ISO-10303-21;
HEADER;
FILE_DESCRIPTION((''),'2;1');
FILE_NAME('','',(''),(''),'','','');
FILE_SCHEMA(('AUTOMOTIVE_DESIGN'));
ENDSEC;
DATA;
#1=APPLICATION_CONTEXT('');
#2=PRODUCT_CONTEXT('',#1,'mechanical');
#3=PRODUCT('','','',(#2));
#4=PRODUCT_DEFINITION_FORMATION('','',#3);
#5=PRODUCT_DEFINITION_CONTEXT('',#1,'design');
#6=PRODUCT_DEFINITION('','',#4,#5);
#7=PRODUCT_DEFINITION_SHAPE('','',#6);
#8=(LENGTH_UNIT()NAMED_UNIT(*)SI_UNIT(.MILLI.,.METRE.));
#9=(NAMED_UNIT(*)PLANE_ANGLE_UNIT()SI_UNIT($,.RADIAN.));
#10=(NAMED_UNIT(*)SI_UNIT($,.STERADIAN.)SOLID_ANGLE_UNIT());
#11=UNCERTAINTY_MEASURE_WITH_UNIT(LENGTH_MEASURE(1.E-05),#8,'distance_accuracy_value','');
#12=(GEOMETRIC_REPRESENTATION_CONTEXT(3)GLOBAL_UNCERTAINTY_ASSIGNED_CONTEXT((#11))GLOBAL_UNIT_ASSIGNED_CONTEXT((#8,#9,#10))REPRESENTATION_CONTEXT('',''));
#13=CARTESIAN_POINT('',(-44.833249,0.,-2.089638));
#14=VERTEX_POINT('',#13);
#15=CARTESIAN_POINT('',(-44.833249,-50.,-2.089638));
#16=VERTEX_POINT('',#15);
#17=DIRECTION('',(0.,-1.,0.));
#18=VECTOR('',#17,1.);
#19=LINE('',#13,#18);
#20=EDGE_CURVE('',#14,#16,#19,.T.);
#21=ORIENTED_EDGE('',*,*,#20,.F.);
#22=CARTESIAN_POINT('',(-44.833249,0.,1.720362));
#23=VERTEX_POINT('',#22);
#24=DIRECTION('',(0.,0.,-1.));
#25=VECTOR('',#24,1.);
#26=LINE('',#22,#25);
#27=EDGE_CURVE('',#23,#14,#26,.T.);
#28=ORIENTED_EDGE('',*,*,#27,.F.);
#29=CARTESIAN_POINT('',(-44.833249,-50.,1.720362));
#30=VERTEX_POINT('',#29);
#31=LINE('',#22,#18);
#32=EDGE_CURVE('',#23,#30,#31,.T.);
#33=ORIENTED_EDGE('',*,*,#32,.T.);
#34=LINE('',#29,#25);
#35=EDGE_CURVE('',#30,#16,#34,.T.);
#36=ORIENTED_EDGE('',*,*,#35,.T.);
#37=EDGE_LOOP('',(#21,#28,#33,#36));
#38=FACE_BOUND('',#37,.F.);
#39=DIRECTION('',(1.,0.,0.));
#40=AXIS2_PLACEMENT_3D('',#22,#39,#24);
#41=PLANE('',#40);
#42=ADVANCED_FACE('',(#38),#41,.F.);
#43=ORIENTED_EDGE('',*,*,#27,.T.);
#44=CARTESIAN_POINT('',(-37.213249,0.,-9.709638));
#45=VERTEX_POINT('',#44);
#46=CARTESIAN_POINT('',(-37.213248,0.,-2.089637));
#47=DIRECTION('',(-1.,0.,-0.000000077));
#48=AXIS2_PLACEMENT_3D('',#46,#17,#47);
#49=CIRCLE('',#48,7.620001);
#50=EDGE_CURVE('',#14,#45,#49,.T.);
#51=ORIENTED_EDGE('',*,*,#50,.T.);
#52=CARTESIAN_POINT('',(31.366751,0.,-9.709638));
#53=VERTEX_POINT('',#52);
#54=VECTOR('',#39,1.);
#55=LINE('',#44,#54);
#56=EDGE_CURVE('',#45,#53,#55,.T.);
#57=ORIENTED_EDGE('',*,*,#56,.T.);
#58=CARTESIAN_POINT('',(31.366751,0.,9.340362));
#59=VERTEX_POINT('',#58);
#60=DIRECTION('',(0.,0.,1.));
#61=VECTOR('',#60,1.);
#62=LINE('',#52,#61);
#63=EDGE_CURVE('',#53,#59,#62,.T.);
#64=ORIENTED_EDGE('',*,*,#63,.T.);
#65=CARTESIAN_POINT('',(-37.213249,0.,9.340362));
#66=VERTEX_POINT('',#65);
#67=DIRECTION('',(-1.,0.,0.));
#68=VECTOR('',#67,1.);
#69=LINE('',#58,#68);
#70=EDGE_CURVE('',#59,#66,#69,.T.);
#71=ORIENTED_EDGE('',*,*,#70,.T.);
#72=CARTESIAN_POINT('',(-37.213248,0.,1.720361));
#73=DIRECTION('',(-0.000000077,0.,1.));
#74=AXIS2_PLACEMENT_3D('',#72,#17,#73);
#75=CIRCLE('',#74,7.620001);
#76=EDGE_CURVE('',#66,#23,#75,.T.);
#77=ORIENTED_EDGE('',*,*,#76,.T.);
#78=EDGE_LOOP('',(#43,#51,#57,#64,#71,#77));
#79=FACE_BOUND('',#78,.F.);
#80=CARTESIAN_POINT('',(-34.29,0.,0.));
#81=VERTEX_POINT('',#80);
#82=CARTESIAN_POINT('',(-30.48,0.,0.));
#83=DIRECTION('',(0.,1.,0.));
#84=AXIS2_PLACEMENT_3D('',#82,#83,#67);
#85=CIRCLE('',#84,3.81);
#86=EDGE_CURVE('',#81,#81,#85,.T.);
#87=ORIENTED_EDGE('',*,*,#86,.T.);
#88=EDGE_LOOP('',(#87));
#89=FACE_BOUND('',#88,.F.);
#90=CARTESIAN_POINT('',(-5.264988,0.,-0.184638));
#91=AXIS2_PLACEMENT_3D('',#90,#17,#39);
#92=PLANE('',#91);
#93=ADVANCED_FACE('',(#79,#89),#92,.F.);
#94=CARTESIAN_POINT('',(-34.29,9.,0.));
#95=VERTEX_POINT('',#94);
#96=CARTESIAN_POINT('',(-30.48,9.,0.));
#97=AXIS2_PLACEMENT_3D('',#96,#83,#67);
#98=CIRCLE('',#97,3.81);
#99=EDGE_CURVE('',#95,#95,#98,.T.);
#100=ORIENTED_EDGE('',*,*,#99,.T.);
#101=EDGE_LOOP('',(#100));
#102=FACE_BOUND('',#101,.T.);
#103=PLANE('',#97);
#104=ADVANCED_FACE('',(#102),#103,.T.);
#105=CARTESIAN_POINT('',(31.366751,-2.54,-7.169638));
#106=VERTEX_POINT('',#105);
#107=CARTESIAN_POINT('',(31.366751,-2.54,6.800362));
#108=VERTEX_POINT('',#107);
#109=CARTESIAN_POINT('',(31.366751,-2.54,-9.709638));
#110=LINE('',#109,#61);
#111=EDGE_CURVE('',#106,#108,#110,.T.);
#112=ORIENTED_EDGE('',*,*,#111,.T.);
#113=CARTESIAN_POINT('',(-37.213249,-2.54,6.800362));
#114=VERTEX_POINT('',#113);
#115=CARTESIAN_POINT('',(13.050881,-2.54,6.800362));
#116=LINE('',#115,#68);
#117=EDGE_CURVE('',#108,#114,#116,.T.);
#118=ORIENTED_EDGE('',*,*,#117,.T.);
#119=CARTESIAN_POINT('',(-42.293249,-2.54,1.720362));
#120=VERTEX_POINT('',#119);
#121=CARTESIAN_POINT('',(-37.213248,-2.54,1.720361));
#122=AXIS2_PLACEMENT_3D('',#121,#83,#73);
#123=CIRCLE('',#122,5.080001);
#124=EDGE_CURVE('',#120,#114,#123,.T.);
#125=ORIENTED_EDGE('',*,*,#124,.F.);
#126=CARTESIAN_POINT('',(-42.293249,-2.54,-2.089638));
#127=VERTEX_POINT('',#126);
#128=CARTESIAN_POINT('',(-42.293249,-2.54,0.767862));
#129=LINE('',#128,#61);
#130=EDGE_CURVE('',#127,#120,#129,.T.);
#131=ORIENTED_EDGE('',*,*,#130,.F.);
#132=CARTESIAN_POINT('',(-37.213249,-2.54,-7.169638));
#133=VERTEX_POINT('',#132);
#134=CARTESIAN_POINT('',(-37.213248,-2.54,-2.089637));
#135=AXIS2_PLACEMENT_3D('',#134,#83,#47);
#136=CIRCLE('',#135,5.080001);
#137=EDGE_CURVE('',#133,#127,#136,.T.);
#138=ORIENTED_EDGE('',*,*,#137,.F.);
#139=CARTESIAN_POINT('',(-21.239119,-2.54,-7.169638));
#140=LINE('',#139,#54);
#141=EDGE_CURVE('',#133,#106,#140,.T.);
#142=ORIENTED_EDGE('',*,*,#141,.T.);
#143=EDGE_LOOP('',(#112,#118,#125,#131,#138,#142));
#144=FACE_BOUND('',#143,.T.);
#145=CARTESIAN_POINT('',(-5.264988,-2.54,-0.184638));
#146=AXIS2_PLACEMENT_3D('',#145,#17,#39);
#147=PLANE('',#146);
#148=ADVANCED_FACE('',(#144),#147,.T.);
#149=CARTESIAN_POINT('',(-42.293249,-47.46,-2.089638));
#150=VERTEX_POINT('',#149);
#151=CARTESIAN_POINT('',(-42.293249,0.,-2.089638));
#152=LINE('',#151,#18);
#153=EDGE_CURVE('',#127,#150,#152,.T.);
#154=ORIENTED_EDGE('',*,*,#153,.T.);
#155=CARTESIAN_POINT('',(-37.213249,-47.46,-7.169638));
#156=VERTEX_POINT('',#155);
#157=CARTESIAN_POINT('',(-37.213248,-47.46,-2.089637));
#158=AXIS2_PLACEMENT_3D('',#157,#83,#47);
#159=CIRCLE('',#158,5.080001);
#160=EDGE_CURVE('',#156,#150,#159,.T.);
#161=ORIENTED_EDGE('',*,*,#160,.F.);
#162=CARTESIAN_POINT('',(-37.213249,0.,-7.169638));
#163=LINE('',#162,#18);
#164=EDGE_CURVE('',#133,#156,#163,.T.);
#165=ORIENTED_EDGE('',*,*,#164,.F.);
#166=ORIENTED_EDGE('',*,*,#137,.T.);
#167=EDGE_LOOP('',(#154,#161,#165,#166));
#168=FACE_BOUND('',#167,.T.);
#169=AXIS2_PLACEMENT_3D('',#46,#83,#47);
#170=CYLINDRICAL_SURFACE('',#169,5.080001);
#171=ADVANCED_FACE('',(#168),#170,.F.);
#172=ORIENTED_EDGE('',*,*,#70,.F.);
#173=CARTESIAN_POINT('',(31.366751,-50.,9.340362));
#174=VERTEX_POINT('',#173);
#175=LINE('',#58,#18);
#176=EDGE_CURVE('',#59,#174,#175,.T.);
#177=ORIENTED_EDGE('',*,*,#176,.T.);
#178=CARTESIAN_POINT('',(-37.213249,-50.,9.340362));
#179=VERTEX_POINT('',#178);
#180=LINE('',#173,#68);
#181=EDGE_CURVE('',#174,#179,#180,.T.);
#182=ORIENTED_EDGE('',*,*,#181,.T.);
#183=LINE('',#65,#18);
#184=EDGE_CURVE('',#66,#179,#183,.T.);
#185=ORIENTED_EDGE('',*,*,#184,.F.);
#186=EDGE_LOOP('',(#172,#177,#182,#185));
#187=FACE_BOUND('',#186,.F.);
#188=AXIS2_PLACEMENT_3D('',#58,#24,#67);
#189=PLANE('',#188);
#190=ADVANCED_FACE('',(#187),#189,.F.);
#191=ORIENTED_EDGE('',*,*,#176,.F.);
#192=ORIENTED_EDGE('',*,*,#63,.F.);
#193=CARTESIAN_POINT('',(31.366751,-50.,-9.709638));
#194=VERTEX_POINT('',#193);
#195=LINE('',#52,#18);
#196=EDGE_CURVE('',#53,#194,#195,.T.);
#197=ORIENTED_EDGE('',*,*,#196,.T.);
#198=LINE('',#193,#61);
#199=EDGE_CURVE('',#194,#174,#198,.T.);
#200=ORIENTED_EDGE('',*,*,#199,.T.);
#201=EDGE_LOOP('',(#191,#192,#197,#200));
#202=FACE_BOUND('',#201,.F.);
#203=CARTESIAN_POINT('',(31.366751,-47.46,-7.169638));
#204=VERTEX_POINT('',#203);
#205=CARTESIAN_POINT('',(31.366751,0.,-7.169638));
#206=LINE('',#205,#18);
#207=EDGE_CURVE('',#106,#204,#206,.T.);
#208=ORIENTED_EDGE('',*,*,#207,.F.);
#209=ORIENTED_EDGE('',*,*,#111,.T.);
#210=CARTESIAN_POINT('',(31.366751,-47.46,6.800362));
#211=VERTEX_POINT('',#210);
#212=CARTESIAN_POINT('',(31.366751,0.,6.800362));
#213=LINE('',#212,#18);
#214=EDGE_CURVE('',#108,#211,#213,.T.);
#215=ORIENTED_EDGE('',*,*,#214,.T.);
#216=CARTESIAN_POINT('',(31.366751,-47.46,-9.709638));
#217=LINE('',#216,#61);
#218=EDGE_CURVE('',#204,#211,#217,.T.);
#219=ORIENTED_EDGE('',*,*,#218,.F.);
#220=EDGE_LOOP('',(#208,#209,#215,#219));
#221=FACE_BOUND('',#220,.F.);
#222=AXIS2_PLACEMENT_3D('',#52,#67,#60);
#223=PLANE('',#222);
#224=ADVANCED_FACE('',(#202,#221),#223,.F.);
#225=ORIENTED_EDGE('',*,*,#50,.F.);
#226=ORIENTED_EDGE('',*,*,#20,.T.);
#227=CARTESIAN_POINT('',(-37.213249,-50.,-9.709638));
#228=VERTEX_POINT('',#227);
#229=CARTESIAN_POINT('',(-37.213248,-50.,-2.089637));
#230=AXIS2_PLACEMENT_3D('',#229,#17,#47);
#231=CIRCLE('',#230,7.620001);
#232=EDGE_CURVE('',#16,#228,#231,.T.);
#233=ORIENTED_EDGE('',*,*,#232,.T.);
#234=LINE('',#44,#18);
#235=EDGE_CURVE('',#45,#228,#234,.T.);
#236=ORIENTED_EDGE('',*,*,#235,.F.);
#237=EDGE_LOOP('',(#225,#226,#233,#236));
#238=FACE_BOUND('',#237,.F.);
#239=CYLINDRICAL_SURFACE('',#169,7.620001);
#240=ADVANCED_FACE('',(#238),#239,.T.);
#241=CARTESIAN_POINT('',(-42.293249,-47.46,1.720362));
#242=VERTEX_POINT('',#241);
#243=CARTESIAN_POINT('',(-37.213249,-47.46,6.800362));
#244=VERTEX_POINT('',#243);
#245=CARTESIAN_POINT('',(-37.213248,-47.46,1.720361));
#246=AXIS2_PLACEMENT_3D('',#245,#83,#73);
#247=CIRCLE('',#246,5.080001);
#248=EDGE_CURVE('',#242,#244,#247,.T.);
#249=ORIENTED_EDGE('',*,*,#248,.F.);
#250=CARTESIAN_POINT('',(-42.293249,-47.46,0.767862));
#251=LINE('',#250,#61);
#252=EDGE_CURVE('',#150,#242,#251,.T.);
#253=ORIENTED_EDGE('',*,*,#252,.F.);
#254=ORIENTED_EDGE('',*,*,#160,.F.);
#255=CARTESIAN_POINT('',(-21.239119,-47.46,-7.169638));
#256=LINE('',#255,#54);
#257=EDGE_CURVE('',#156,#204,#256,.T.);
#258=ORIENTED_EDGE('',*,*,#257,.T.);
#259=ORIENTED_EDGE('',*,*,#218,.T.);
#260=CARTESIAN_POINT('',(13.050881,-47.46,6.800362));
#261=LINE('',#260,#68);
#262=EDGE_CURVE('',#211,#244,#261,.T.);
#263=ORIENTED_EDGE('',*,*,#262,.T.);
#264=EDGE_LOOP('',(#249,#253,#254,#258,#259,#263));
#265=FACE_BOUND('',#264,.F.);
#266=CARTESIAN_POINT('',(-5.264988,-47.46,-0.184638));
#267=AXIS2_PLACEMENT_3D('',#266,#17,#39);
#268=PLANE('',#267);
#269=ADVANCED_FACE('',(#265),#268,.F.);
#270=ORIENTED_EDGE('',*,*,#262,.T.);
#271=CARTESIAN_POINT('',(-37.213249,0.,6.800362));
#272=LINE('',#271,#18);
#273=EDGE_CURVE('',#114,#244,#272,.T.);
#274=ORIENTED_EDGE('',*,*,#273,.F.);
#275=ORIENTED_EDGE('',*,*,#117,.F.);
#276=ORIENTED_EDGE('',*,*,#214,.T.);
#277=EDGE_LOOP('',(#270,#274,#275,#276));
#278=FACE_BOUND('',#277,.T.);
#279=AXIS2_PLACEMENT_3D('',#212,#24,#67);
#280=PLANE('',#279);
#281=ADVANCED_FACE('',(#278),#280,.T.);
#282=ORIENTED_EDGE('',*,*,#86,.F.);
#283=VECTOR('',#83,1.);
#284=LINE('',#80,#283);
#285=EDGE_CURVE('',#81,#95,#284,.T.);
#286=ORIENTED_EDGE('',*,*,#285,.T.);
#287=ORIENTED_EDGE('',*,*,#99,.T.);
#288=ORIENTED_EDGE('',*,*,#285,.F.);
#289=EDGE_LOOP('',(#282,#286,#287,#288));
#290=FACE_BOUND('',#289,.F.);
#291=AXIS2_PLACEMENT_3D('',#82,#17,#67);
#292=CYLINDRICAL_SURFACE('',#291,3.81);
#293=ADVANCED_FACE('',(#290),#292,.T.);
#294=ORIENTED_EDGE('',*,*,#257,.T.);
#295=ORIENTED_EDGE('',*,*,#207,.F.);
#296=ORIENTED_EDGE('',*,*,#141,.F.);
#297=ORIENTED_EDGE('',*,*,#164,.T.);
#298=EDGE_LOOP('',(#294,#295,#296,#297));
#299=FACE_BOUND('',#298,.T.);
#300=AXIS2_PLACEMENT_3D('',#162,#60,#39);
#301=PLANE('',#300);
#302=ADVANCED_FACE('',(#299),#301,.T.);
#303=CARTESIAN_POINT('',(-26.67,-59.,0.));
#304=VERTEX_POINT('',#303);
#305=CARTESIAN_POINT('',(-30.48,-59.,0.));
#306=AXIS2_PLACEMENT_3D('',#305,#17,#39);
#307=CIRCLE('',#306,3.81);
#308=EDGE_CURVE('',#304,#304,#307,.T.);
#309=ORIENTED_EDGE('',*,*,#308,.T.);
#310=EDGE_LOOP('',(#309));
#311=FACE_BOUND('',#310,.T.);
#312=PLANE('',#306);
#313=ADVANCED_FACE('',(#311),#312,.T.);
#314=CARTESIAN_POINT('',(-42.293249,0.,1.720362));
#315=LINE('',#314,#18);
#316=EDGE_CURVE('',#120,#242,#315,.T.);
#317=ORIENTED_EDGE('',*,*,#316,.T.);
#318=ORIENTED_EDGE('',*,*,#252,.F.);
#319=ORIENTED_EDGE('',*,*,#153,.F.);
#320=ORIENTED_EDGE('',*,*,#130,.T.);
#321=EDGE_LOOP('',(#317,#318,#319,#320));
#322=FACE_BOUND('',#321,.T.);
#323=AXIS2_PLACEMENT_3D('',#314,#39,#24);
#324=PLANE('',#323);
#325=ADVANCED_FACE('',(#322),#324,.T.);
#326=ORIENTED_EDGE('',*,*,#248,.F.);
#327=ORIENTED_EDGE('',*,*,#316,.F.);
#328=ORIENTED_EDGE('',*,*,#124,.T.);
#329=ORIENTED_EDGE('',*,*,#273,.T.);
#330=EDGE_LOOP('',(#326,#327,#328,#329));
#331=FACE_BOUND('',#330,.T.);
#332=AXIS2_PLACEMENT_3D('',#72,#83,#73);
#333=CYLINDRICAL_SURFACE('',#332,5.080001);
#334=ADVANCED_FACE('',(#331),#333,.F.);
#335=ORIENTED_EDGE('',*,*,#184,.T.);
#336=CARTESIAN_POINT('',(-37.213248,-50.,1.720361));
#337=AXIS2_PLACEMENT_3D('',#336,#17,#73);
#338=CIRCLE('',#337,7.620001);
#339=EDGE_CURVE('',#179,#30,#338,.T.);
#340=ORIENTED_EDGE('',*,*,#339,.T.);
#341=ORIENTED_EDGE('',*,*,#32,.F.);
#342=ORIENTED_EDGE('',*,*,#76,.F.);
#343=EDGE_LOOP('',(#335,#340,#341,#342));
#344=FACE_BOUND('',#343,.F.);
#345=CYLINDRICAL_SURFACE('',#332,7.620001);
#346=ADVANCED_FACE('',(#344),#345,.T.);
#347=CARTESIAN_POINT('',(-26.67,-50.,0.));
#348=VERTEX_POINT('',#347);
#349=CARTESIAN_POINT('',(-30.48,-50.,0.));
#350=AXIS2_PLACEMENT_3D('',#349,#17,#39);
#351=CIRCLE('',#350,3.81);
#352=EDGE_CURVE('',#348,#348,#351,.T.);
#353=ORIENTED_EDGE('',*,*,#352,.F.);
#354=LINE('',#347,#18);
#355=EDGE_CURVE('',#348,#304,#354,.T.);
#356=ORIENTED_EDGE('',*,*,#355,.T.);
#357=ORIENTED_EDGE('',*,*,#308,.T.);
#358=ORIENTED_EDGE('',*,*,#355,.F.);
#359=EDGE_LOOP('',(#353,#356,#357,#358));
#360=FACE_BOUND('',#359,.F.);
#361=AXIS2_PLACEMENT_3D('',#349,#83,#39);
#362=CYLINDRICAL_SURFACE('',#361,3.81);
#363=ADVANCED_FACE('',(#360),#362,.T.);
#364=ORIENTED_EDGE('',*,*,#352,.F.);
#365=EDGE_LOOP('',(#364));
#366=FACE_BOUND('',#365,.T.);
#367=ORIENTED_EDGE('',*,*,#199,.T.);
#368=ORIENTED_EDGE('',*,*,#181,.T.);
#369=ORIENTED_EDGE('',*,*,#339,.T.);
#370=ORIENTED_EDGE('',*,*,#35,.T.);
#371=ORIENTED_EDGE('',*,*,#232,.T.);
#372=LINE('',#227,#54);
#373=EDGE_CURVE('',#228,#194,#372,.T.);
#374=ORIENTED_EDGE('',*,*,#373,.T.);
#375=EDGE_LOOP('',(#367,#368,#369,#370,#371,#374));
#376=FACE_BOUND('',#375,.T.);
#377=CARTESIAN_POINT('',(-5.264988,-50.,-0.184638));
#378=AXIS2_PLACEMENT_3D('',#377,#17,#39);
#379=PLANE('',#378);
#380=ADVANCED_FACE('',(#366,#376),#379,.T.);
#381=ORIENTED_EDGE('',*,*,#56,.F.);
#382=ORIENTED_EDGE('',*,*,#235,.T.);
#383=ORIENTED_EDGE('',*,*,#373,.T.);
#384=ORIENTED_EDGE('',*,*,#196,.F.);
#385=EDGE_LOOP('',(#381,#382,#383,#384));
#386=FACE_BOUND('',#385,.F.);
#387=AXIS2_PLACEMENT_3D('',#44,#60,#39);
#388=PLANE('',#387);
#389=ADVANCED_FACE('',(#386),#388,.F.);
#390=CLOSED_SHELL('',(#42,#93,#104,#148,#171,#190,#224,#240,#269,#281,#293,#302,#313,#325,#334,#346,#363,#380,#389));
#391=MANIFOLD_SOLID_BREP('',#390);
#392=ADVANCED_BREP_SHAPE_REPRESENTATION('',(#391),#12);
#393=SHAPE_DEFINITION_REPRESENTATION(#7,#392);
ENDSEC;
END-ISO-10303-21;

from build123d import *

# Parameters (mm, degrees)
F1_DEPTH = 50
F2_T     = -2.54
F3_R     = 3.81
F4_DEPTH = 9
F5_R     = 3.81
F6_DEPTH = 9


with BuildPart() as f1:
    # F0 (on Front) → F1 (new body)
    with BuildSketch(Plane.XZ):
        with BuildLine():
            Line((31.366751, 9.340362), (-37.213249, 9.340362))
            ThreePointArc((-37.213249, 9.340362), (-42.601402, 7.108516), (-44.833249, 1.720362))
            Line((-44.833249, 1.720362), (-44.833249, -2.089638))
            ThreePointArc((-44.833249, -2.089638), (-42.601402, -7.477792), (-37.213249, -9.709638))
            Line((-37.213249, -9.709638), (31.366751, -9.709638))
            Line((31.366751, -9.709638), (31.366751, 9.340362))
        make_face()
    extrude(amount=F1_DEPTH)

    # F2
    f2_openings = [f1.faces().sort_by_distance(p)[0] for p in [
        (31.366751, -25, -0.184638),
    ]]
    offset(amount=F2_T, openings=f2_openings)

    # F3 (on face) → F4 (join)
    with BuildSketch(Plane.XZ.offset(50)):
        with Locations((-30.48, 0)):
            Circle(F3_R)
    extrude(amount=F4_DEPTH)

    # F5 (on face) → F6 (join)
    with BuildSketch(Plane(origin=(0, 0, 0), x_dir=(-1, 0, 0), z_dir=(0, 1, 0))):
        with Locations((30.48, 0)):
            Circle(F5_R)
    extrude(amount=F6_DEPTH)


solid = f1.part
